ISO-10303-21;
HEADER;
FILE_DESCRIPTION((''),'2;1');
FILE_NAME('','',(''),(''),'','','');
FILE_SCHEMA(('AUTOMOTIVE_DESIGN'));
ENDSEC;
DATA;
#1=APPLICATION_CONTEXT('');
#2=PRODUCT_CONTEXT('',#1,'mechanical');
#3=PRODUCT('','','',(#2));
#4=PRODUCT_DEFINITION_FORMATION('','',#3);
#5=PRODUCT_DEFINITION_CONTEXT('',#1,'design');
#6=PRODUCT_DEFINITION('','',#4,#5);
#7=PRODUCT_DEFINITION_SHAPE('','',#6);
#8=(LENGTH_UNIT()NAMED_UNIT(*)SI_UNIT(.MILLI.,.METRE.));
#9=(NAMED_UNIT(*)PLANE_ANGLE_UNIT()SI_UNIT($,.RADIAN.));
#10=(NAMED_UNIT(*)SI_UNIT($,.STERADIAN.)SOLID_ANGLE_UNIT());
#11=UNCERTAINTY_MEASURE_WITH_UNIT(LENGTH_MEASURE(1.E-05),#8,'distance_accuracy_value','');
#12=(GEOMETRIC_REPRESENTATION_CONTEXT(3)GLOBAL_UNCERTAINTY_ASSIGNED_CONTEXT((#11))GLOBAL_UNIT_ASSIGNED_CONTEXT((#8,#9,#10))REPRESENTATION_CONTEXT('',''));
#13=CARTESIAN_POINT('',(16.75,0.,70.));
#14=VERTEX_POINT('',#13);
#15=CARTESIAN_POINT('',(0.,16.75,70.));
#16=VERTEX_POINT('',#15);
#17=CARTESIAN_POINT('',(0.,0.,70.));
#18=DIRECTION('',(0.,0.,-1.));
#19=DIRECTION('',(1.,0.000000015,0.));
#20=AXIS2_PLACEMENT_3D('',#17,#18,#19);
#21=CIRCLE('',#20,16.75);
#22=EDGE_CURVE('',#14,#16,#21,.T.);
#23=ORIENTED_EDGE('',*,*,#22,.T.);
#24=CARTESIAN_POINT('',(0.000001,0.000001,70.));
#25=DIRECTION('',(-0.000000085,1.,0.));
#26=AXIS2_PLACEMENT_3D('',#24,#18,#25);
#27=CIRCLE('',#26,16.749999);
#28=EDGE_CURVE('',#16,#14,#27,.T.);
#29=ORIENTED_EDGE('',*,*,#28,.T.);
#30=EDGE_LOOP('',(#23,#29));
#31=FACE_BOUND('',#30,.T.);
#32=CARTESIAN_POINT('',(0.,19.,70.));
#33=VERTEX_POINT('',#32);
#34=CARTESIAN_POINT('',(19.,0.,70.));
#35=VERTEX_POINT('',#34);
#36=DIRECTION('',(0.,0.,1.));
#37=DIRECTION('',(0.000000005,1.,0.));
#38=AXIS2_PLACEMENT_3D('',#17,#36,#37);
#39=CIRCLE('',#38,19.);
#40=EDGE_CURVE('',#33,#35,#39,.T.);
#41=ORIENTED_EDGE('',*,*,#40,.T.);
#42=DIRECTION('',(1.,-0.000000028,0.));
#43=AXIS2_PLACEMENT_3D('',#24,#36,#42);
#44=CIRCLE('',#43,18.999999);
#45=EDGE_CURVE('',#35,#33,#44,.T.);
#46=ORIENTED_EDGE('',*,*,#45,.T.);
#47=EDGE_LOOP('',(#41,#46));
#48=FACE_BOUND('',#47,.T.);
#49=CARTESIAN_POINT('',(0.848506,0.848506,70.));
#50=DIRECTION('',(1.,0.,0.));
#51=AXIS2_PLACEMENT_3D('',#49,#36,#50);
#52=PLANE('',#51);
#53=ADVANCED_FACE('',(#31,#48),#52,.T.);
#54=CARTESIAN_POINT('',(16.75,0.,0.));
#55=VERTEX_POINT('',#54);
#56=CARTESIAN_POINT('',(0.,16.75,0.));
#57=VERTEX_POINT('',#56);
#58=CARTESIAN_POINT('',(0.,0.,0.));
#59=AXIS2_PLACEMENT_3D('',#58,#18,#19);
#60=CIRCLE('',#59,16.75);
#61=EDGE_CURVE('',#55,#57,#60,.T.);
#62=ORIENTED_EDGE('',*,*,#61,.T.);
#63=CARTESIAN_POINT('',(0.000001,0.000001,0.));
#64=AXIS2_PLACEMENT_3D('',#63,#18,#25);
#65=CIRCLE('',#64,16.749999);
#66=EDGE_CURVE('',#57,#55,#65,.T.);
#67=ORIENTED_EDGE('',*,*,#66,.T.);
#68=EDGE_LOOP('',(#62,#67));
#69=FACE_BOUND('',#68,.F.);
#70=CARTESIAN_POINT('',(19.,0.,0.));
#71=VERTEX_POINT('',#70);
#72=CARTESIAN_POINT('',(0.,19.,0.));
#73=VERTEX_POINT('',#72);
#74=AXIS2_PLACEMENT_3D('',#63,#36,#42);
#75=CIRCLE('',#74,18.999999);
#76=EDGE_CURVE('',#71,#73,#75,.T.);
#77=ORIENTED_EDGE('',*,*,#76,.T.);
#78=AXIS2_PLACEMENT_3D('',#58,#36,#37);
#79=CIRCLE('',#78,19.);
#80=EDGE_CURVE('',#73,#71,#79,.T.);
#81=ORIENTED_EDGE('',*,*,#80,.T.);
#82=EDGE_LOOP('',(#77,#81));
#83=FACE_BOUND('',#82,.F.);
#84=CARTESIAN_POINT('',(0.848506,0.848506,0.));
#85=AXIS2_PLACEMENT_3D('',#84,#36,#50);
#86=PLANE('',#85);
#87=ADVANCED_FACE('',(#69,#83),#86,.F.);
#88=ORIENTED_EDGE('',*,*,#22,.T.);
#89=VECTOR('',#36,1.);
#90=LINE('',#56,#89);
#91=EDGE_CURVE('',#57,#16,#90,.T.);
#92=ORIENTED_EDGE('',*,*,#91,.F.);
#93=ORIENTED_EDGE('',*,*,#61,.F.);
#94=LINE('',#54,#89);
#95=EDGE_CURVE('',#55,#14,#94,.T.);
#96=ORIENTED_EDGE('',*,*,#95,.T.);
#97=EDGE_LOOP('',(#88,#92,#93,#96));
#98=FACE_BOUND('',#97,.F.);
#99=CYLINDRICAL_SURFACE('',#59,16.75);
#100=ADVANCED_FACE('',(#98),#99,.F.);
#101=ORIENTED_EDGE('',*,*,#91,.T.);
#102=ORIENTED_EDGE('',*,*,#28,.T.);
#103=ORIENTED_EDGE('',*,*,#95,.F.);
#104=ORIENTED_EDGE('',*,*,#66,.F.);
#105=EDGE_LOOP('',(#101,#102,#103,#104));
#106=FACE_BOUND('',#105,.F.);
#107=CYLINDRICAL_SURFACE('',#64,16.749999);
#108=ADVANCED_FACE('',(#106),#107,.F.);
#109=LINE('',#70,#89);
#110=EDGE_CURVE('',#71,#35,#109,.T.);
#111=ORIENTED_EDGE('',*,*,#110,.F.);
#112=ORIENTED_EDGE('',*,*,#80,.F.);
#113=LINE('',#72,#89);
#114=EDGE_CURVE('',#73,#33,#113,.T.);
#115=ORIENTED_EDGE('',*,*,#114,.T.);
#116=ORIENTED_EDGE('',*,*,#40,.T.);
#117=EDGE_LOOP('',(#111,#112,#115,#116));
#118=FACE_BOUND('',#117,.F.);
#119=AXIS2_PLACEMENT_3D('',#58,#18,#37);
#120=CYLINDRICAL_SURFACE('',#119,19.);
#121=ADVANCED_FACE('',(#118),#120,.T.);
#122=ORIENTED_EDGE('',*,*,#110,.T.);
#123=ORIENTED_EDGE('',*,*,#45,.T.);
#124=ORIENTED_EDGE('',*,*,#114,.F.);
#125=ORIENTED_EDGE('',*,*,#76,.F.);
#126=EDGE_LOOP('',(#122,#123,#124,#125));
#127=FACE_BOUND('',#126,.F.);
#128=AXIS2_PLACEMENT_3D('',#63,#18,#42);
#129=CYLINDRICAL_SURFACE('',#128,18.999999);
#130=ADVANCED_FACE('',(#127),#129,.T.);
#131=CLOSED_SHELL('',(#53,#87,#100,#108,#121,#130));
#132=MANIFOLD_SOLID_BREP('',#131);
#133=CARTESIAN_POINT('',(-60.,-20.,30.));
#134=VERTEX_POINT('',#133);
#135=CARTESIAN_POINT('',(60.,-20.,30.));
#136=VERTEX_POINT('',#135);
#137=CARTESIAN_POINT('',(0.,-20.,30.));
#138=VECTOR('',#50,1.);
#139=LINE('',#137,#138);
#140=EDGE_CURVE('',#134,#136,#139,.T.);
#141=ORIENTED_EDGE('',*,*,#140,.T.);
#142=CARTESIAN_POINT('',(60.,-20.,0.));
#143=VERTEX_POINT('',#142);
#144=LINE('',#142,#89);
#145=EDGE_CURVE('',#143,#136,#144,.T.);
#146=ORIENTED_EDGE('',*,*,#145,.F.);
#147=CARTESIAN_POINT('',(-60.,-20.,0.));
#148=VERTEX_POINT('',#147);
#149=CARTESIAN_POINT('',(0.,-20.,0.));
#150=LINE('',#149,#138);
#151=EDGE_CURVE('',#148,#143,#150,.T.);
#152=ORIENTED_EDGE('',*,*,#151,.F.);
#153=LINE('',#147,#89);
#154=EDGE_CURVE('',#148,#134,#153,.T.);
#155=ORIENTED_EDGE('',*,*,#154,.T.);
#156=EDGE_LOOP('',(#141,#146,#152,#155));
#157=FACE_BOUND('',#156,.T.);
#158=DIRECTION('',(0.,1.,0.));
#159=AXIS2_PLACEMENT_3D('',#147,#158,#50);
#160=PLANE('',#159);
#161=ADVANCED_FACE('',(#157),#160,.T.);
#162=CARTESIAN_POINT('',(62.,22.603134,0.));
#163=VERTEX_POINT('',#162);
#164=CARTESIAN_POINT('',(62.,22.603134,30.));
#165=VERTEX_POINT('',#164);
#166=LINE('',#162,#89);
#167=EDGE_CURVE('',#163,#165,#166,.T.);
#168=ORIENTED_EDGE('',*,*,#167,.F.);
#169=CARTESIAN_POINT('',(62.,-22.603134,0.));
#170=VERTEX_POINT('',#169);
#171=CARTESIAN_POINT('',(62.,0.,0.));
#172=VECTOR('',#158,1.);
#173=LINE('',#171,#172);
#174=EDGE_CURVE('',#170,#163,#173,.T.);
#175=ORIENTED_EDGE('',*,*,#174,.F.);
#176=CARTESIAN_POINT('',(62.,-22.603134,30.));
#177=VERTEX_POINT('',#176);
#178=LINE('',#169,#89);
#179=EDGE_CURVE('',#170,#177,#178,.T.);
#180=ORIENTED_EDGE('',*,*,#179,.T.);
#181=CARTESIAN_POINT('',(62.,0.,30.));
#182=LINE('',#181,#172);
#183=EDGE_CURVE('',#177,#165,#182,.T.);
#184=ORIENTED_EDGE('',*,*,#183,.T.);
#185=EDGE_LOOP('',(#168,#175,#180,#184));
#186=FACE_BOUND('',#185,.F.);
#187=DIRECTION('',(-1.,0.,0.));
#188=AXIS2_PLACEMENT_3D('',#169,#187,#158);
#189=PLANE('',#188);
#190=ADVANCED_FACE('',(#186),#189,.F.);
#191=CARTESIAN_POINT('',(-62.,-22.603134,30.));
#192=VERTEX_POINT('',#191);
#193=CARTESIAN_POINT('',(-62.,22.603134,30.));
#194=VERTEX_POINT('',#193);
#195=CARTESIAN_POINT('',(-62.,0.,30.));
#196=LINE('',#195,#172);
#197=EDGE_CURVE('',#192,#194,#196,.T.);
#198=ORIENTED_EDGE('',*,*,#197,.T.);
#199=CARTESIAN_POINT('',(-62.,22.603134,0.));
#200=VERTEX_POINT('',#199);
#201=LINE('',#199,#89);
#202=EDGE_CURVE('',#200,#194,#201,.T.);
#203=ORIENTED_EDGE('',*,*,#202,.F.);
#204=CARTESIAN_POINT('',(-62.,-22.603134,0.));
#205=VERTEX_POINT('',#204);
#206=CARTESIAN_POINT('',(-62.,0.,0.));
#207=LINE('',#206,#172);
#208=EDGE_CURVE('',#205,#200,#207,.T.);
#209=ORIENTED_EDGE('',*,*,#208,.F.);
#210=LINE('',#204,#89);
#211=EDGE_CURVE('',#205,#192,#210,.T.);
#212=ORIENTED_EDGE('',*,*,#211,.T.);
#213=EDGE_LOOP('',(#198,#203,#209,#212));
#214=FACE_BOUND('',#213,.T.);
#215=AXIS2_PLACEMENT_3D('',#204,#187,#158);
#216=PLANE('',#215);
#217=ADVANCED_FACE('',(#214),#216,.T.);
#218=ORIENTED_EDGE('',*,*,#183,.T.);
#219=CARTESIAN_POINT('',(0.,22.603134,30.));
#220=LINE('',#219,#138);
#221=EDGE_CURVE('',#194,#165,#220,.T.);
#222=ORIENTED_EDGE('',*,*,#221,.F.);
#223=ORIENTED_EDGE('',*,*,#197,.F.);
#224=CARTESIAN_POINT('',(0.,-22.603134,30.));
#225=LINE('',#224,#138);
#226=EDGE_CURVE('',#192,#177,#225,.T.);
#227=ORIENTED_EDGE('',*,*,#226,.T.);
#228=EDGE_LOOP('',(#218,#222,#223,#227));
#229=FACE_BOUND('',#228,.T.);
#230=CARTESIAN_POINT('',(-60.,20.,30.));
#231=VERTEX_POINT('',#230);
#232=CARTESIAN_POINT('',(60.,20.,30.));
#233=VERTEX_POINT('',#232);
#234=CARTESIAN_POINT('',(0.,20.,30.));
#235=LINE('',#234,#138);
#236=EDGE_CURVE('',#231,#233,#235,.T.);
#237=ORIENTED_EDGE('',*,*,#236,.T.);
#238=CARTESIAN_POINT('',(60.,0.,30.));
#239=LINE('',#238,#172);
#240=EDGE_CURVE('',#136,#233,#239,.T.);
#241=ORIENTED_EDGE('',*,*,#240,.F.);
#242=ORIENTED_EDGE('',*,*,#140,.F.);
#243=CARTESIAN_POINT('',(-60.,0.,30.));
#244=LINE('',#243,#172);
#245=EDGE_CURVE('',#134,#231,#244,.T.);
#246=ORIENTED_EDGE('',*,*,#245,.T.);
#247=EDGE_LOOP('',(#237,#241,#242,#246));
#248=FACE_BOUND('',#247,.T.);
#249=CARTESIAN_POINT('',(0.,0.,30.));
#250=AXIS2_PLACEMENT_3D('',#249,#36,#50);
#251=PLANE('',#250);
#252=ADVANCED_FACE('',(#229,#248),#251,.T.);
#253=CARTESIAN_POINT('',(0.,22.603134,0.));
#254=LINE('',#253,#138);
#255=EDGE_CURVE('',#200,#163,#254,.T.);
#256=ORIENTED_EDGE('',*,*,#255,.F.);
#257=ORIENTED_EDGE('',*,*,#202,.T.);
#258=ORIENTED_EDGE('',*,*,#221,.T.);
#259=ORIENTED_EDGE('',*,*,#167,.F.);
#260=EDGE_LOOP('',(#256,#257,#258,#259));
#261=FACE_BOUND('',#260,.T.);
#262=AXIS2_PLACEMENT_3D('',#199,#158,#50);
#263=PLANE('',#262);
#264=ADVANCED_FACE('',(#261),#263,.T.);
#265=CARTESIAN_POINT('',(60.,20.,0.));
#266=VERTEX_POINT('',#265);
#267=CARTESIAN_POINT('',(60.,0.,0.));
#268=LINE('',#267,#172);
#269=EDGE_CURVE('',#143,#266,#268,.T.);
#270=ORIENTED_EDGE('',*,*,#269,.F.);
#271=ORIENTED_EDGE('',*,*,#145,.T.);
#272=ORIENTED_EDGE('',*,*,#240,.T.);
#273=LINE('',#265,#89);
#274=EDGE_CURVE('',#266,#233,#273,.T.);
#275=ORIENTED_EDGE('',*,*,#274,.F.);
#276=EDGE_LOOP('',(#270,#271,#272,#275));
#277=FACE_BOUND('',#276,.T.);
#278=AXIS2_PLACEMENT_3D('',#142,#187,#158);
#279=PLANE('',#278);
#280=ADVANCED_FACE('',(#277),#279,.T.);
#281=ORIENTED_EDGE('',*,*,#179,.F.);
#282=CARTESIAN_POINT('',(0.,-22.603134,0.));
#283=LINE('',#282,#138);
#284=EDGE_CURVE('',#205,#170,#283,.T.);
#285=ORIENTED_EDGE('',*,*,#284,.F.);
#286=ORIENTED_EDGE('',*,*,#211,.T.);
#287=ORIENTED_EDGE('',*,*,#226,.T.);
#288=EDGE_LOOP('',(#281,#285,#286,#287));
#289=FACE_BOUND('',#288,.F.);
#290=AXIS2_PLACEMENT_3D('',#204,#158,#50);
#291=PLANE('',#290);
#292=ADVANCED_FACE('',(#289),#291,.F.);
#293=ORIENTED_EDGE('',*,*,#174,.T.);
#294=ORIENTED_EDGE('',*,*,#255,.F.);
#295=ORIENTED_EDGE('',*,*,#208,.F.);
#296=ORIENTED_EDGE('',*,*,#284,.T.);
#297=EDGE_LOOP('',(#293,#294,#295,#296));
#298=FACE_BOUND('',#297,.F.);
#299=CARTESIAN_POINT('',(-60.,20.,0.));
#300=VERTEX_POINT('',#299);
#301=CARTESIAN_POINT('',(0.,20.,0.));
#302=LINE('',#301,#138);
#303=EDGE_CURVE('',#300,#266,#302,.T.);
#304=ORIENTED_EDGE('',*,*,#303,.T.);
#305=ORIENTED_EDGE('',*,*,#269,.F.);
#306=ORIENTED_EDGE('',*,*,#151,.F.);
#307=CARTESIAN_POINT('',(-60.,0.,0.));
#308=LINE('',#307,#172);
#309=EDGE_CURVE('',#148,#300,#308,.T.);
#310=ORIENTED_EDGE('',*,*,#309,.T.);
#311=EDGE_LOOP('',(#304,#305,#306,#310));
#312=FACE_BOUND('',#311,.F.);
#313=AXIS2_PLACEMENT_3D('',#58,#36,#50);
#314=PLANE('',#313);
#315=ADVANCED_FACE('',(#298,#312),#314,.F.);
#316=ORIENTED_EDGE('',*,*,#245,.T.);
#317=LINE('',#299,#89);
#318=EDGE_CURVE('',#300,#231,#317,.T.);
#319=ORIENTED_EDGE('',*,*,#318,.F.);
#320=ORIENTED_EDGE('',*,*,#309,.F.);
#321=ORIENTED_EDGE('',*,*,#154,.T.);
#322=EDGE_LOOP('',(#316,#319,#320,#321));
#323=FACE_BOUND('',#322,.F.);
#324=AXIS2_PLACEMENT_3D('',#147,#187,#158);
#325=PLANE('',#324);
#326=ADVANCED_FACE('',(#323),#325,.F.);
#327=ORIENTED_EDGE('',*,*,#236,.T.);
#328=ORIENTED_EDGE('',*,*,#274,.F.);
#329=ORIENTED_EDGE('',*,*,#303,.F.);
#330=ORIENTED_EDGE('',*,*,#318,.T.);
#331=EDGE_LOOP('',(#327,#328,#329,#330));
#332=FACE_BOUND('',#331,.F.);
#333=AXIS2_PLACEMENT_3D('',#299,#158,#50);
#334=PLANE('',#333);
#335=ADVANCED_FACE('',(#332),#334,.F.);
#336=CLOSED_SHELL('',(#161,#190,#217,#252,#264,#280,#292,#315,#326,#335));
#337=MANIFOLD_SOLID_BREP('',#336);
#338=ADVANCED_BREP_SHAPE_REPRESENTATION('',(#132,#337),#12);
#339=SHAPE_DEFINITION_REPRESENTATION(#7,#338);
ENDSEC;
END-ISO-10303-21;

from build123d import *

# Parameters (mm, degrees)
F1_DEPTH = 70
F2_W     = 124
F2_H     = 45.206268
F2_W_2   = 120
F2_H_2   = 40
F3_DEPTH = 30


with BuildPart() as f1:
    # F0 (on Top) → F1 (new body)
    with BuildSketch(Plane.XY):
        with BuildLine():
            ThreePointArc((19, 0), (13.435029, 13.435029), (0, 19))
            ThreePointArc((0, 19), (-13.435029, -13.435029), (19, 0))
        make_face()
        with BuildLine():
            ThreePointArc((0, 16.75), (11.844039, 11.844039), (16.75, 0))
            ThreePointArc((16.75, 0), (-11.844039, -11.844039), (0, 16.75))
        make_face(mode=Mode.SUBTRACT)
    extrude(amount=F1_DEPTH)


with BuildPart() as f3:
    # F2 (on Top) → F3 (new body)
    with BuildSketch(Plane.XY):
        Rectangle(F2_W, F2_H)
        Rectangle(F2_W_2, F2_H_2, mode=Mode.SUBTRACT)
    extrude(amount=F3_DEPTH)


solid = Compound([f1.part, f3.part])
